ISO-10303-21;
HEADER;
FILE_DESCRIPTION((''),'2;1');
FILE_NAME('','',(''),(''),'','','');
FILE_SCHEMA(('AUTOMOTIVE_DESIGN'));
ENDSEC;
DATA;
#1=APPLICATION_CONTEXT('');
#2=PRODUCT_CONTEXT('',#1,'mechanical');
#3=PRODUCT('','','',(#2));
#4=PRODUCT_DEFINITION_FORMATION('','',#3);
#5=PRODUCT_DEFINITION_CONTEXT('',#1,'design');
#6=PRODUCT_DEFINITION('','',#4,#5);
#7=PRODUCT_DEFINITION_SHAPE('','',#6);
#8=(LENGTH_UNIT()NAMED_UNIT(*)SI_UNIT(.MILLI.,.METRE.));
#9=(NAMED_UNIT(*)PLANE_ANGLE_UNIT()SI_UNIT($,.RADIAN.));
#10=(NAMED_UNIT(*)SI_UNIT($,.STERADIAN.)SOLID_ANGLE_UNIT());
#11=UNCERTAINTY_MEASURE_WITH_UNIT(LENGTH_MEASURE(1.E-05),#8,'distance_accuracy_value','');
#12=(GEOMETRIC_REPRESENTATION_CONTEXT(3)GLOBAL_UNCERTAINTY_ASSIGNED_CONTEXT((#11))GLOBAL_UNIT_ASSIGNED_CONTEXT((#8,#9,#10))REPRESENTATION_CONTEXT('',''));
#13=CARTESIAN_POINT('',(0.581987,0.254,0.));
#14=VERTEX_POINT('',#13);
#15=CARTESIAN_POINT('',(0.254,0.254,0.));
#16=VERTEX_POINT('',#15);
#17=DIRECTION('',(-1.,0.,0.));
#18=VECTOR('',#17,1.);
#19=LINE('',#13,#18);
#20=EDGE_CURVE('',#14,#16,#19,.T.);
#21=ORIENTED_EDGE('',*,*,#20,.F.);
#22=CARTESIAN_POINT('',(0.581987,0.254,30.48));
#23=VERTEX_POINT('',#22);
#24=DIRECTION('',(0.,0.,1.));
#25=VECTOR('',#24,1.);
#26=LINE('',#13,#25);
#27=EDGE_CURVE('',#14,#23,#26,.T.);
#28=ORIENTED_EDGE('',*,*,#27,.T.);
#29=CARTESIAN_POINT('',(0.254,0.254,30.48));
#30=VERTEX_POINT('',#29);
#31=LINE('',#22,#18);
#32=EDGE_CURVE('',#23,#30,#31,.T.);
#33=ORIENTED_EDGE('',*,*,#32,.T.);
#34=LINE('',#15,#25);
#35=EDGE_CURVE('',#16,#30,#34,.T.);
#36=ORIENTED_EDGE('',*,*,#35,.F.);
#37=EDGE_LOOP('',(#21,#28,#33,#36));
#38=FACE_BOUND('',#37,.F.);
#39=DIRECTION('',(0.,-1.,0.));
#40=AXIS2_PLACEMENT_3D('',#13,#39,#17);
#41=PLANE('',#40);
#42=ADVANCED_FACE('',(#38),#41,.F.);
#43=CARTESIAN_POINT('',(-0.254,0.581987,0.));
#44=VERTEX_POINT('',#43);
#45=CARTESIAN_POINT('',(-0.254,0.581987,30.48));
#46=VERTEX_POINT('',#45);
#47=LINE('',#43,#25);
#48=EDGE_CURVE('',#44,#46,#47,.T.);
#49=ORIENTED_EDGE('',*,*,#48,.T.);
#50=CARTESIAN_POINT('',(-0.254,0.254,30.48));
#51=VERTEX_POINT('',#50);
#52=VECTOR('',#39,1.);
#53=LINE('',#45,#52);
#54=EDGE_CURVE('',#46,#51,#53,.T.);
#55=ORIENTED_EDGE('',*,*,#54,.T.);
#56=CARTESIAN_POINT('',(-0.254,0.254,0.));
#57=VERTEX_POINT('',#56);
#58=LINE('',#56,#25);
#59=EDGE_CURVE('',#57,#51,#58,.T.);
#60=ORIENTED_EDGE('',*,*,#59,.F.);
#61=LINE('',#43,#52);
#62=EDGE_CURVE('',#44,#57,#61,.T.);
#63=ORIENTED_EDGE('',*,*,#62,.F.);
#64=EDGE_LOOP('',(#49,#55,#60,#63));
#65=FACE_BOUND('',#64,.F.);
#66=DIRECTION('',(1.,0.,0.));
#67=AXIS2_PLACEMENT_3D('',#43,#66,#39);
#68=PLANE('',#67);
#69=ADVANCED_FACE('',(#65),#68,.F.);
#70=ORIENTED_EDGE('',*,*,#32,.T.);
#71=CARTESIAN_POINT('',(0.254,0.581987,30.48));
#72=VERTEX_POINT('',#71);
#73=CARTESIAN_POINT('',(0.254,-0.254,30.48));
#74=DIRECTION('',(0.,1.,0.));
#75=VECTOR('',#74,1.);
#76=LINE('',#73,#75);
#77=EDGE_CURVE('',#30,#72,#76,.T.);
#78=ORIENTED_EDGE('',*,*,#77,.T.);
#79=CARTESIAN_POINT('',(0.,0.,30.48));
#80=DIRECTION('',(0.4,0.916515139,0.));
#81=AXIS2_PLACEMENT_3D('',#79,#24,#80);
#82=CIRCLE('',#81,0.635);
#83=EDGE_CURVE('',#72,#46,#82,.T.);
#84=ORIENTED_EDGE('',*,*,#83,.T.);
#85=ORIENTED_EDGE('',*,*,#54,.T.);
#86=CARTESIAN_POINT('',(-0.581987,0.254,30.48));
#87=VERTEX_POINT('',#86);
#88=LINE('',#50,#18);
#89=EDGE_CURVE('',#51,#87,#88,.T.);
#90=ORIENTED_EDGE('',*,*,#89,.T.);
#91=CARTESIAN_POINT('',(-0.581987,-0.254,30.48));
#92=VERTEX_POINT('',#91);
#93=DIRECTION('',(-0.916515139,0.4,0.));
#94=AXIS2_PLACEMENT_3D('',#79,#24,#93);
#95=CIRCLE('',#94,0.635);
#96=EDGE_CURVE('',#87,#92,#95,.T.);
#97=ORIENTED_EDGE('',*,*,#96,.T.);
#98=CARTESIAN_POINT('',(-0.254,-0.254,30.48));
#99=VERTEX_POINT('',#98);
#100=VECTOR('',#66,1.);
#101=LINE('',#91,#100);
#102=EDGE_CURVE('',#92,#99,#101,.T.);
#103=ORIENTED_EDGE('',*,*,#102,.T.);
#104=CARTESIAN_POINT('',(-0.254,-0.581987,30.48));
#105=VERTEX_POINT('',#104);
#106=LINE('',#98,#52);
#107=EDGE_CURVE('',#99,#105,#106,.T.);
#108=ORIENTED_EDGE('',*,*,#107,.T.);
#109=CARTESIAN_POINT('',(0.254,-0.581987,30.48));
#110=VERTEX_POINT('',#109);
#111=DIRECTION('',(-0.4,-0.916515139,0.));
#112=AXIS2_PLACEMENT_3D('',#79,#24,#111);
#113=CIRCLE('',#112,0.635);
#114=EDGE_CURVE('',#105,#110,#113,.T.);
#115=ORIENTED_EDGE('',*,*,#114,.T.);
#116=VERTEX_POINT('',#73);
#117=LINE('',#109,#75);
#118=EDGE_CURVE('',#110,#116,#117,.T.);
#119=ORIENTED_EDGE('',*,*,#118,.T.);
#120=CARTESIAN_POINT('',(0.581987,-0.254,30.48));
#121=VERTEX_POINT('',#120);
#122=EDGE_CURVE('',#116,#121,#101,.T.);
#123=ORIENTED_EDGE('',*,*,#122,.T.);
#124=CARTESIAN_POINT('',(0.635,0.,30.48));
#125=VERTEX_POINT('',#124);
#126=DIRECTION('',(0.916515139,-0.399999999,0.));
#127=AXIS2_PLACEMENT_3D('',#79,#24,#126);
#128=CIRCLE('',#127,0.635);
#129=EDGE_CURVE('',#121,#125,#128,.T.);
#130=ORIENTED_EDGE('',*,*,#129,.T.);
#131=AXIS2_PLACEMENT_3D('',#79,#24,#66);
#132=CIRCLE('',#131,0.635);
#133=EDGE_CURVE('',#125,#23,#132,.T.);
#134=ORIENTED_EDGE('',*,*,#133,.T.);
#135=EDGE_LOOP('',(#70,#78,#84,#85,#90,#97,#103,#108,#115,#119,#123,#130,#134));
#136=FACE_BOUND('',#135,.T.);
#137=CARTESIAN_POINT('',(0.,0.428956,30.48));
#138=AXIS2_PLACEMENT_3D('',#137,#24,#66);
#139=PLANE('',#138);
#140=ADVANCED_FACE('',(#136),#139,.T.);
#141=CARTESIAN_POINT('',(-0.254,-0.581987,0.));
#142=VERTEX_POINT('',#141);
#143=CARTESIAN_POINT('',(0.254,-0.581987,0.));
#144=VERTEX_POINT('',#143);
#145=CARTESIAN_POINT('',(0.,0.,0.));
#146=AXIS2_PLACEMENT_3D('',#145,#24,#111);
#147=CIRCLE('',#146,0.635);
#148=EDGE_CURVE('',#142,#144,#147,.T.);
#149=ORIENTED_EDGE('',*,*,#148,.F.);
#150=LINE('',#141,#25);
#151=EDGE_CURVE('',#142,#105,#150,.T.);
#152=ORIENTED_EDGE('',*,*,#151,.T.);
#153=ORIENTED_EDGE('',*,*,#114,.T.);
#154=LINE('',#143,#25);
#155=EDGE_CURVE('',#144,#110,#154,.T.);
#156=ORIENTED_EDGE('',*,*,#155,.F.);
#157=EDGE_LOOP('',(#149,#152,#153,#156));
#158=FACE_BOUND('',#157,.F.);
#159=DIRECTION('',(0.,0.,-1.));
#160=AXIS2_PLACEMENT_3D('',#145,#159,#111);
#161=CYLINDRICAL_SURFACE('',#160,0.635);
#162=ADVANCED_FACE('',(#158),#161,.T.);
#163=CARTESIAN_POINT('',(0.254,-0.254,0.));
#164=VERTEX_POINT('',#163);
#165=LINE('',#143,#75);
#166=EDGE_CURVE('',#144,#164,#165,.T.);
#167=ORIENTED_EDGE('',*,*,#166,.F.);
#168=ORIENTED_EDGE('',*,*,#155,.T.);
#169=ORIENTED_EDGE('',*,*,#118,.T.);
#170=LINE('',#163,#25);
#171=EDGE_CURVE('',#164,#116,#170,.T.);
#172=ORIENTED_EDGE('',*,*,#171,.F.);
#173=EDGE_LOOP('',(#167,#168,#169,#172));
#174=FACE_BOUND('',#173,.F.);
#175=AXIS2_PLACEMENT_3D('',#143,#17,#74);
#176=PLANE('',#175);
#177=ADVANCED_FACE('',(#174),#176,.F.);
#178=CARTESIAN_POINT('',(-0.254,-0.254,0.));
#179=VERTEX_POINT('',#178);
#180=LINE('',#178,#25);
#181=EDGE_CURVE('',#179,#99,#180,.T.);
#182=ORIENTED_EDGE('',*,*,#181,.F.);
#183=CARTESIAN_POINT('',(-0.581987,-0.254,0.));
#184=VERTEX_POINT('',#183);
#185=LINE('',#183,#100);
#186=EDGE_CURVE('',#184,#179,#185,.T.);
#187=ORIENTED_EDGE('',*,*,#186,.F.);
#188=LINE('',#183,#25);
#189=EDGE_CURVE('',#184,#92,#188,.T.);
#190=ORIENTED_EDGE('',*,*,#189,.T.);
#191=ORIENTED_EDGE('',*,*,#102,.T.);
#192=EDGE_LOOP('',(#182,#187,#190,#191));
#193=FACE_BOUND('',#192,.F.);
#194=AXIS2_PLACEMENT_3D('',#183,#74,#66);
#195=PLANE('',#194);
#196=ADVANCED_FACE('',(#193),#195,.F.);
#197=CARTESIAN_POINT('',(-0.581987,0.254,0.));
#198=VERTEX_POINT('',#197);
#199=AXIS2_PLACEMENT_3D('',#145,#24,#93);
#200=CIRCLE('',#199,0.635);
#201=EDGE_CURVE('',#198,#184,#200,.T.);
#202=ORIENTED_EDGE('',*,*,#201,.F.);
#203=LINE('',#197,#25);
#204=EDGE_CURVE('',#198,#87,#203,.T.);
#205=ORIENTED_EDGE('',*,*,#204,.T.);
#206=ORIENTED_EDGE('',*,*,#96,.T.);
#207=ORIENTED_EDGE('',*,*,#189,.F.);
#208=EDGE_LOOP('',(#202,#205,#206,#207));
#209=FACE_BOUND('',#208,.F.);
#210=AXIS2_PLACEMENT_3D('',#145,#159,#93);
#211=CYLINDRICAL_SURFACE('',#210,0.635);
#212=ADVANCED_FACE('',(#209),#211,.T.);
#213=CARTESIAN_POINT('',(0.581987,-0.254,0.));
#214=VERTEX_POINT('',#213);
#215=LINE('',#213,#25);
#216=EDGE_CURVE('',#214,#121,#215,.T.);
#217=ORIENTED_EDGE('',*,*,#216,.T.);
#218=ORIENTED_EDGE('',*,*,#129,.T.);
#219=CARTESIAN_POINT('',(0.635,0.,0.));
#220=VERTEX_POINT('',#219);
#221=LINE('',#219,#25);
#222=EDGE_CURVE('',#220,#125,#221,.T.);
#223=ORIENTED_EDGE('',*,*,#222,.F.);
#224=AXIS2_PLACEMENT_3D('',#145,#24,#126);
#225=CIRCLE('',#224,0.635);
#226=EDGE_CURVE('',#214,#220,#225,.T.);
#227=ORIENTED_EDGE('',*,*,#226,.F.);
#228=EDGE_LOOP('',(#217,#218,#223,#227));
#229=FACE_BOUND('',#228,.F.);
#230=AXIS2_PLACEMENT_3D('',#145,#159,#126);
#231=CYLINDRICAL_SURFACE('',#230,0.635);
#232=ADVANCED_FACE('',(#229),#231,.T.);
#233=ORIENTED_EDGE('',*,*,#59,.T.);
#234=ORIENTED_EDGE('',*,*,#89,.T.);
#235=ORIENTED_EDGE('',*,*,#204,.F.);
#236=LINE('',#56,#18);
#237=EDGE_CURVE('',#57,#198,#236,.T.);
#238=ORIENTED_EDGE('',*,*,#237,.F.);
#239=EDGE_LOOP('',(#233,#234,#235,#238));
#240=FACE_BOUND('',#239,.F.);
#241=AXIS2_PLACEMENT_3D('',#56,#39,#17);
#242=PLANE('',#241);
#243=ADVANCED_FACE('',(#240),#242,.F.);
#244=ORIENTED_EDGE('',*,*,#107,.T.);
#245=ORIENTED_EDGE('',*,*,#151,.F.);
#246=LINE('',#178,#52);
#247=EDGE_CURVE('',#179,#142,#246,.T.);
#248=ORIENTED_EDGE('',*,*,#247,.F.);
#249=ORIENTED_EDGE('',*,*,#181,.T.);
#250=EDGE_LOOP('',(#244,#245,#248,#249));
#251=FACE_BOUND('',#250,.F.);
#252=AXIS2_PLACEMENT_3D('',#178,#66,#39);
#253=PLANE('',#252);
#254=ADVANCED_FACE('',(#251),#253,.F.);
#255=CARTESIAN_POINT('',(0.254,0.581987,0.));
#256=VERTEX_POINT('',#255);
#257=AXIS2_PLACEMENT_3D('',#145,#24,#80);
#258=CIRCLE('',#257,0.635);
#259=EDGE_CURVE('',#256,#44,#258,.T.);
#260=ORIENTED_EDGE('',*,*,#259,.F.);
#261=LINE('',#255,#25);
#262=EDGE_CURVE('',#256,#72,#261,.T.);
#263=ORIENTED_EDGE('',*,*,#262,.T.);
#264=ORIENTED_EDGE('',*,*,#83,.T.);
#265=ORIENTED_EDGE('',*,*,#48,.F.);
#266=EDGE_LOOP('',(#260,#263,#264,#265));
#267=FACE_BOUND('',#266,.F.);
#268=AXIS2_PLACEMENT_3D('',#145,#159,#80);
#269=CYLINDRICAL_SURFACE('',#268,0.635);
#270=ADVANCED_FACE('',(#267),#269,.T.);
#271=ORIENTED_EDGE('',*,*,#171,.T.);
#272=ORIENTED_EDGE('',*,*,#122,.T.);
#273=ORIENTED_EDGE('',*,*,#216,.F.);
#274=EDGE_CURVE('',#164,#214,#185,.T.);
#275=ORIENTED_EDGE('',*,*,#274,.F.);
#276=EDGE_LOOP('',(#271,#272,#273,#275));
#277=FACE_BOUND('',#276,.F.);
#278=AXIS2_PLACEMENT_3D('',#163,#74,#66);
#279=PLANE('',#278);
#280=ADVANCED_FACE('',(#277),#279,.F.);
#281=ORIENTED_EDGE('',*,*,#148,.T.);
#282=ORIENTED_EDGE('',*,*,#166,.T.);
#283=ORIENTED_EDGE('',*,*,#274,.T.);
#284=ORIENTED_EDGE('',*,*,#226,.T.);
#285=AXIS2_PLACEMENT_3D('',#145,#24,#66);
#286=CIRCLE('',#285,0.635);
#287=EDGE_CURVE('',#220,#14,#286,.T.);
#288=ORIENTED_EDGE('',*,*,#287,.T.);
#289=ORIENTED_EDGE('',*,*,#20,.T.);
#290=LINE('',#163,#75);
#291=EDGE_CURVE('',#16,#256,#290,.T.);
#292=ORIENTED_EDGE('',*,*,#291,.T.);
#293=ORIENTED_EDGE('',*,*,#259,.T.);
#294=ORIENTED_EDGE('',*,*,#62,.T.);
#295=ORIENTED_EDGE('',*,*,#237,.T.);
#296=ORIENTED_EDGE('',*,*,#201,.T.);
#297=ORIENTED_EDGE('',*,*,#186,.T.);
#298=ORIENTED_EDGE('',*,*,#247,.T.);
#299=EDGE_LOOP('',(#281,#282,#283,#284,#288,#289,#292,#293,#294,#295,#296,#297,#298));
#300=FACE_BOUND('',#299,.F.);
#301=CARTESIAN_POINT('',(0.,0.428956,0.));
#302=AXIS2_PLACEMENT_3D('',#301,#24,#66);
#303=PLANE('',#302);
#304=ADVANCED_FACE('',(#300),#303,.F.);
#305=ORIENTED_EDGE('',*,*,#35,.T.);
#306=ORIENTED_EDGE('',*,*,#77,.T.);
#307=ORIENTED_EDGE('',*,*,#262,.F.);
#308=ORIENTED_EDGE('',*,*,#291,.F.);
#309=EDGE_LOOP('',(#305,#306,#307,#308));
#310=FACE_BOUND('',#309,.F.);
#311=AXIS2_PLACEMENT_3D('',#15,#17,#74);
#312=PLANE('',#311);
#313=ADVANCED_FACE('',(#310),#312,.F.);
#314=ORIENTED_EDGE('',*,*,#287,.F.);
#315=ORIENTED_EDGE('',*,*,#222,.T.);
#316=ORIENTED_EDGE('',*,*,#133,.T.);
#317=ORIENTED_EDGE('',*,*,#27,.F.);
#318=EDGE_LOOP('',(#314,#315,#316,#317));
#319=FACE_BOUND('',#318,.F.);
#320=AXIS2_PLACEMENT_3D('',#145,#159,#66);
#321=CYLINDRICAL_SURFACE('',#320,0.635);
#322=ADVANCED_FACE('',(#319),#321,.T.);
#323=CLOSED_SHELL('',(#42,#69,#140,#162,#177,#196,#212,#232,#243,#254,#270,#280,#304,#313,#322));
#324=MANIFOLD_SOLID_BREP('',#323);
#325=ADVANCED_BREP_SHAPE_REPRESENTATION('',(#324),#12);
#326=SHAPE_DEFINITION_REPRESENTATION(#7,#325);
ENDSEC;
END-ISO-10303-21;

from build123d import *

# Parameters (mm, degrees)
F0_W     = 0.508
F0_H     = 0.508
F1_DEPTH = 30.48


with BuildPart() as f1:
    # F0 (on Top) → F1 (new body)
    with BuildSketch(Plane.XY):
        with BuildLine():
            Line((0.254, 0.254), (0.254, 0.5819871133))
            ThreePointArc((0.254, 0.5819871133), (0, 0.635), (-0.254, 0.5819871133))
            Line((-0.254, 0.5819871133), (-0.254, 0.254))
            Line((-0.254, 0.254), (0.254, 0.254))
        make_face()
        with BuildLine():
            Line((-0.254, -0.254), (-0.254, 0.254))
            Line((-0.254, 0.254), (-0.5819871133, 0.254))
            ThreePointArc((-0.5819871133, 0.254), (-0.635, 0), (-0.5819871133, -0.254))
            Line((-0.5819871133, -0.254), (-0.254, -0.254))
        make_face()
        Rectangle(F0_W, F0_H)
        with BuildLine():
            ThreePointArc((0.5819871133, -0.254), (0.6216055087, -0.1297366237), (0.635, 0))
            ThreePointArc((0.635, 0), (0.6216055087, 0.1297366237), (0.5819871133, 0.254))
            Line((0.5819871133, 0.254), (0.254, 0.254))
            Line((0.254, 0.254), (0.254, -0.254))
            Line((0.254, -0.254), (0.5819871133, -0.254))
        make_face()
        with BuildLine():
            ThreePointArc((-0.254, -0.5819871133), (0, -0.635), (0.254, -0.5819871133))
            Line((0.254, -0.5819871133), (0.254, -0.254))
            Line((0.254, -0.254), (-0.254, -0.254))
            Line((-0.254, -0.254), (-0.254, -0.5819871133))
        make_face()
    extrude(amount=F1_DEPTH)


solid = f1.part
